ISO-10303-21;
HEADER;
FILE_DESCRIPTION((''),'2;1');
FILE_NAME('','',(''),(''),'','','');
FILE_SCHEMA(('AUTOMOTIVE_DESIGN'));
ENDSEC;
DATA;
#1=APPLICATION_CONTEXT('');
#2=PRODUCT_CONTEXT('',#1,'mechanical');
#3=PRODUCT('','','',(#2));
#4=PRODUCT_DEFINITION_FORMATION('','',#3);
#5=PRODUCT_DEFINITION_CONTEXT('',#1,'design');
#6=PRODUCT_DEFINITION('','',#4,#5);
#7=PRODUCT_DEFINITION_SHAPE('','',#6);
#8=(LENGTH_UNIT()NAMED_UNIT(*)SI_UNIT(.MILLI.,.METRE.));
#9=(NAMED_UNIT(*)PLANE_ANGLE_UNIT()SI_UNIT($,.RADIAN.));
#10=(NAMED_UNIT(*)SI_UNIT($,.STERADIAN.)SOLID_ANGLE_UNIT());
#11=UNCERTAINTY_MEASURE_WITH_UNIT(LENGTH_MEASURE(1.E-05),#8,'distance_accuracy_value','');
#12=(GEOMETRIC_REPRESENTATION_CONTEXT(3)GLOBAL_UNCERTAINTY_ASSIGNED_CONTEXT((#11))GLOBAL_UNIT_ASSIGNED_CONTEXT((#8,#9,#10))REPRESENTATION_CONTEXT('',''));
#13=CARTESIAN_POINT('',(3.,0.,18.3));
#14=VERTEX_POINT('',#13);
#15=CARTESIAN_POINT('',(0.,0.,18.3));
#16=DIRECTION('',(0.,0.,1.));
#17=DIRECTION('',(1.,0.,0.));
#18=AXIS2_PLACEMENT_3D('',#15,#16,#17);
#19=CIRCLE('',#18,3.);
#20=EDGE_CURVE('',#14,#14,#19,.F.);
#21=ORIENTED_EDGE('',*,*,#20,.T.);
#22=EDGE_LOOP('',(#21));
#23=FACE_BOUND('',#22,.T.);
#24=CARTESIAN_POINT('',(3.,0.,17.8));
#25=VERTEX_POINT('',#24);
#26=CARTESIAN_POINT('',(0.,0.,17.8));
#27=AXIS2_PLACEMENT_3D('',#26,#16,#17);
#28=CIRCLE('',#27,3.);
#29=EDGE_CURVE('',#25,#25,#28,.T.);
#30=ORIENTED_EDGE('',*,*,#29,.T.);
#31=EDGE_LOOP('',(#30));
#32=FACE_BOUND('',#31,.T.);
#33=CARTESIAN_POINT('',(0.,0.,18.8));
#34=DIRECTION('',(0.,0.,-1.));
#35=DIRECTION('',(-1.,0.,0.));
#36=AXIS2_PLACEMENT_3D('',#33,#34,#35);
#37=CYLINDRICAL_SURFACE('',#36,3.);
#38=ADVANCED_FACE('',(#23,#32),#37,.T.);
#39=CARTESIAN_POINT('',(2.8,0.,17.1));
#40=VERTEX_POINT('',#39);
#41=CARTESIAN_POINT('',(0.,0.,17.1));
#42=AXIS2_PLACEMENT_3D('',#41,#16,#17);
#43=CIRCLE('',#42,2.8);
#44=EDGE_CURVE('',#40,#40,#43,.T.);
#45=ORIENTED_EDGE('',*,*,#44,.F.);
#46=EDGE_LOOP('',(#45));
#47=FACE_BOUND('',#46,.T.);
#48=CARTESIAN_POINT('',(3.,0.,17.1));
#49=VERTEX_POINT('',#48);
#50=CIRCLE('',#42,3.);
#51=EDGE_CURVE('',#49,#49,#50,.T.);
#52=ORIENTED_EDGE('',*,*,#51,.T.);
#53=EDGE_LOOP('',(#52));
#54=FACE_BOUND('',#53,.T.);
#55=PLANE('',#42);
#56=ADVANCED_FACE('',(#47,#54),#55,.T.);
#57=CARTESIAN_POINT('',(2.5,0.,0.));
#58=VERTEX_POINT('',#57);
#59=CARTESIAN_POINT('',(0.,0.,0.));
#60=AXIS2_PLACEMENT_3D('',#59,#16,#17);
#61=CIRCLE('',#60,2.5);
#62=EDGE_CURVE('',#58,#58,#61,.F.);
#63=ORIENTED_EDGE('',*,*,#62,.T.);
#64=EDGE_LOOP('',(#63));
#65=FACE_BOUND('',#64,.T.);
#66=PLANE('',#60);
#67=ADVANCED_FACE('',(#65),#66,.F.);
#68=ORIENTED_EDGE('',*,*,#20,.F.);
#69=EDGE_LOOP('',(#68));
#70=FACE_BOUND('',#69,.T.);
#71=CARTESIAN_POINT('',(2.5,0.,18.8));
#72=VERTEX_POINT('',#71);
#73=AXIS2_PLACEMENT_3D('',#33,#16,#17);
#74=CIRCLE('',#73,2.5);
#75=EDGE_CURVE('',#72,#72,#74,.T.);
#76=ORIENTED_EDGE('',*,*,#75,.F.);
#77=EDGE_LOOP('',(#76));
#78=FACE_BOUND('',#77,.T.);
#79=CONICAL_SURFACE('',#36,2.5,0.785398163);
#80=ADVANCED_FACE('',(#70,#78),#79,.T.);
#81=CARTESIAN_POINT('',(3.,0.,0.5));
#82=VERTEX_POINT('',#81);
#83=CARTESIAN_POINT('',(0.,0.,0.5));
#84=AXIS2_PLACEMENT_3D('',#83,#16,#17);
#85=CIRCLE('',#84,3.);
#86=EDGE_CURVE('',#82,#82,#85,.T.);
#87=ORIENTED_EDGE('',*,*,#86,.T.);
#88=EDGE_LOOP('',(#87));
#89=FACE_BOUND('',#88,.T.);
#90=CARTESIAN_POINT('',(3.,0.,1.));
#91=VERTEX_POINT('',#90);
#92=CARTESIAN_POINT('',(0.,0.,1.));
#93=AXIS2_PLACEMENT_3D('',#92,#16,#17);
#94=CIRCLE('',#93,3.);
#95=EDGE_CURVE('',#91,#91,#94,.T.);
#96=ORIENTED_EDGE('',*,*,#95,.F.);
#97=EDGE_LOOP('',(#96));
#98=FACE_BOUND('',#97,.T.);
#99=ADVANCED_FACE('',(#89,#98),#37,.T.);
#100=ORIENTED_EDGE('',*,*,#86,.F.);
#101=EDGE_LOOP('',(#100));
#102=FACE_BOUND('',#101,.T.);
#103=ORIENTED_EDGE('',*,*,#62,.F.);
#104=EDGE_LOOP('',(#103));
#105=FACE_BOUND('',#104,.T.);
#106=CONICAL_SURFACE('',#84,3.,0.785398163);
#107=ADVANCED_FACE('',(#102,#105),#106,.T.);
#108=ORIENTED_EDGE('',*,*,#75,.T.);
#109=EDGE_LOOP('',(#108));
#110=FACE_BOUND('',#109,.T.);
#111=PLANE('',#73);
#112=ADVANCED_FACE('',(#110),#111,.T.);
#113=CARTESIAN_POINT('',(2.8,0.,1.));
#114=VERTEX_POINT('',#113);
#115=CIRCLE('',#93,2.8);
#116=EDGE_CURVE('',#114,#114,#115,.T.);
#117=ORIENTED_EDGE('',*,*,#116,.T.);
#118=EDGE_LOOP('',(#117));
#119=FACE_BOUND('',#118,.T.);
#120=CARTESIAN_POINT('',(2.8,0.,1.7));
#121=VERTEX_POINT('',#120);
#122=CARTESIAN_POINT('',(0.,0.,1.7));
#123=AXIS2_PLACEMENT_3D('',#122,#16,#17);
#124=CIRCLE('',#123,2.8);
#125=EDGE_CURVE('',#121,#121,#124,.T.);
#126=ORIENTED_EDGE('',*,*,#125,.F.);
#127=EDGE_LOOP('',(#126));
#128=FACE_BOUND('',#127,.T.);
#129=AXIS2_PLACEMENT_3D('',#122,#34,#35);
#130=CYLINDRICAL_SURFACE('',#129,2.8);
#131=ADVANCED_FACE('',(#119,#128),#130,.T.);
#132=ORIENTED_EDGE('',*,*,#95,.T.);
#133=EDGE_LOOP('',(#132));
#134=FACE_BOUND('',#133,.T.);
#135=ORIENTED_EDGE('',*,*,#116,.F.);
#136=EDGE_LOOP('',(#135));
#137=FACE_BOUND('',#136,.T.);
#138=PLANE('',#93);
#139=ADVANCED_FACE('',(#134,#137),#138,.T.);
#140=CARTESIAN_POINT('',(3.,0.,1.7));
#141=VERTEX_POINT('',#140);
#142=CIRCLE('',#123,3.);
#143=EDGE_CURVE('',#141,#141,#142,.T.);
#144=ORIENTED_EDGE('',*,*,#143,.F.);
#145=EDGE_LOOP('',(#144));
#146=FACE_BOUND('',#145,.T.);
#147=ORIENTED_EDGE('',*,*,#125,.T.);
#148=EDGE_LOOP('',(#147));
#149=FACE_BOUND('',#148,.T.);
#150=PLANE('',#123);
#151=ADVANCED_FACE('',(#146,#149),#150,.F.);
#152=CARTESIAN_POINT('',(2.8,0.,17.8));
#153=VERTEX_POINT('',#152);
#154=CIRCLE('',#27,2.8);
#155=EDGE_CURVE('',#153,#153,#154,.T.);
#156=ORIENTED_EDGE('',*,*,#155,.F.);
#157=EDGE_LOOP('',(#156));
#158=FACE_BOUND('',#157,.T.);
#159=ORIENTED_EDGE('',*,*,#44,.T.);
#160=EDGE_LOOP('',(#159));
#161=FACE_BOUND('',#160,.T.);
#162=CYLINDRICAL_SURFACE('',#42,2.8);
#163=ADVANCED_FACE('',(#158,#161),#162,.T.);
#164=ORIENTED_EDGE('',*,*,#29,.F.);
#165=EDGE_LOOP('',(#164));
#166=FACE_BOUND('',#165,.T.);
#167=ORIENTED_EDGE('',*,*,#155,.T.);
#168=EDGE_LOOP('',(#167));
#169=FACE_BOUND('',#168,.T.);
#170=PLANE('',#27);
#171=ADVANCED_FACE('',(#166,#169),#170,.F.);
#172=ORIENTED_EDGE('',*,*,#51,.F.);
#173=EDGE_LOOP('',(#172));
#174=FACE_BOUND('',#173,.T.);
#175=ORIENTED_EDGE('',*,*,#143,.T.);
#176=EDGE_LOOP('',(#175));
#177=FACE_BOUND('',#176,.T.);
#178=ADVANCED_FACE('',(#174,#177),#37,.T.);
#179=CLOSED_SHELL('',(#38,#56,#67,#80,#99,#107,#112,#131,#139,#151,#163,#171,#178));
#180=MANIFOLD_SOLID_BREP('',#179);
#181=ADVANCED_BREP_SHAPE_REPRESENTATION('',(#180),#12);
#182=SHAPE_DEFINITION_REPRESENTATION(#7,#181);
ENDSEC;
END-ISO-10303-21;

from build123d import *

# Parameters (mm, degrees)
SZKIC1_R                    = 3
DODANIE_WYCI_GNI_CIE1_DEPTH = 18.8
WYTNIJ_WYCI_GNI_CIE1_START  = -1.7
SZKIC2_R                    = 3
SZKIC2_R_2                  = 2.8
WYTNIJ_WYCI_GNI_CIE1_DEPTH  = 0.7
WYTNIJ_WYCI_GNI_CIE2_START  = -17.8
SZKIC2_2_R                  = 3
SZKIC2_2_R_2                = 2.8
WYTNIJ_WYCI_GNI_CIE2_DEPTH  = 0.7
SFAZOWANIE1_SIZE            = 0.5


with BuildPart() as part:
    # Szkic1 → Dodanie-wyciągnięcie1 (new body)
    with BuildSketch(Plane.XY):
        Circle(SZKIC1_R)
    extrude(amount=DODANIE_WYCI_GNI_CIE1_DEPTH)

    # Szkic2 → Wytnij-wyciągnięcie1 (cut)
    with BuildSketch(Plane.XY.offset(18.8).offset(WYTNIJ_WYCI_GNI_CIE1_START)):
        Circle(SZKIC2_R)
        Circle(SZKIC2_R_2, mode=Mode.SUBTRACT)
    extrude(amount=WYTNIJ_WYCI_GNI_CIE1_DEPTH, mode=Mode.SUBTRACT)

    # Szkic2<2> → Wytnij-wyciągnięcie2 (cut)
    with BuildSketch(Plane.XY.offset(18.8).offset(WYTNIJ_WYCI_GNI_CIE2_START)):
        Circle(SZKIC2_2_R)
        Circle(SZKIC2_2_R_2, mode=Mode.SUBTRACT)
    extrude(amount=WYTNIJ_WYCI_GNI_CIE2_DEPTH, mode=Mode.SUBTRACT)

    # Sfazowanie1
    sfazowanie1_edges = [part.edges().sort_by_distance(p)[0] for p in [
        (-3, 0, 0),
        (-3, 0, 18.8),
    ]]
    chamfer(sfazowanie1_edges, length=SFAZOWANIE1_SIZE)


solid = part.part
